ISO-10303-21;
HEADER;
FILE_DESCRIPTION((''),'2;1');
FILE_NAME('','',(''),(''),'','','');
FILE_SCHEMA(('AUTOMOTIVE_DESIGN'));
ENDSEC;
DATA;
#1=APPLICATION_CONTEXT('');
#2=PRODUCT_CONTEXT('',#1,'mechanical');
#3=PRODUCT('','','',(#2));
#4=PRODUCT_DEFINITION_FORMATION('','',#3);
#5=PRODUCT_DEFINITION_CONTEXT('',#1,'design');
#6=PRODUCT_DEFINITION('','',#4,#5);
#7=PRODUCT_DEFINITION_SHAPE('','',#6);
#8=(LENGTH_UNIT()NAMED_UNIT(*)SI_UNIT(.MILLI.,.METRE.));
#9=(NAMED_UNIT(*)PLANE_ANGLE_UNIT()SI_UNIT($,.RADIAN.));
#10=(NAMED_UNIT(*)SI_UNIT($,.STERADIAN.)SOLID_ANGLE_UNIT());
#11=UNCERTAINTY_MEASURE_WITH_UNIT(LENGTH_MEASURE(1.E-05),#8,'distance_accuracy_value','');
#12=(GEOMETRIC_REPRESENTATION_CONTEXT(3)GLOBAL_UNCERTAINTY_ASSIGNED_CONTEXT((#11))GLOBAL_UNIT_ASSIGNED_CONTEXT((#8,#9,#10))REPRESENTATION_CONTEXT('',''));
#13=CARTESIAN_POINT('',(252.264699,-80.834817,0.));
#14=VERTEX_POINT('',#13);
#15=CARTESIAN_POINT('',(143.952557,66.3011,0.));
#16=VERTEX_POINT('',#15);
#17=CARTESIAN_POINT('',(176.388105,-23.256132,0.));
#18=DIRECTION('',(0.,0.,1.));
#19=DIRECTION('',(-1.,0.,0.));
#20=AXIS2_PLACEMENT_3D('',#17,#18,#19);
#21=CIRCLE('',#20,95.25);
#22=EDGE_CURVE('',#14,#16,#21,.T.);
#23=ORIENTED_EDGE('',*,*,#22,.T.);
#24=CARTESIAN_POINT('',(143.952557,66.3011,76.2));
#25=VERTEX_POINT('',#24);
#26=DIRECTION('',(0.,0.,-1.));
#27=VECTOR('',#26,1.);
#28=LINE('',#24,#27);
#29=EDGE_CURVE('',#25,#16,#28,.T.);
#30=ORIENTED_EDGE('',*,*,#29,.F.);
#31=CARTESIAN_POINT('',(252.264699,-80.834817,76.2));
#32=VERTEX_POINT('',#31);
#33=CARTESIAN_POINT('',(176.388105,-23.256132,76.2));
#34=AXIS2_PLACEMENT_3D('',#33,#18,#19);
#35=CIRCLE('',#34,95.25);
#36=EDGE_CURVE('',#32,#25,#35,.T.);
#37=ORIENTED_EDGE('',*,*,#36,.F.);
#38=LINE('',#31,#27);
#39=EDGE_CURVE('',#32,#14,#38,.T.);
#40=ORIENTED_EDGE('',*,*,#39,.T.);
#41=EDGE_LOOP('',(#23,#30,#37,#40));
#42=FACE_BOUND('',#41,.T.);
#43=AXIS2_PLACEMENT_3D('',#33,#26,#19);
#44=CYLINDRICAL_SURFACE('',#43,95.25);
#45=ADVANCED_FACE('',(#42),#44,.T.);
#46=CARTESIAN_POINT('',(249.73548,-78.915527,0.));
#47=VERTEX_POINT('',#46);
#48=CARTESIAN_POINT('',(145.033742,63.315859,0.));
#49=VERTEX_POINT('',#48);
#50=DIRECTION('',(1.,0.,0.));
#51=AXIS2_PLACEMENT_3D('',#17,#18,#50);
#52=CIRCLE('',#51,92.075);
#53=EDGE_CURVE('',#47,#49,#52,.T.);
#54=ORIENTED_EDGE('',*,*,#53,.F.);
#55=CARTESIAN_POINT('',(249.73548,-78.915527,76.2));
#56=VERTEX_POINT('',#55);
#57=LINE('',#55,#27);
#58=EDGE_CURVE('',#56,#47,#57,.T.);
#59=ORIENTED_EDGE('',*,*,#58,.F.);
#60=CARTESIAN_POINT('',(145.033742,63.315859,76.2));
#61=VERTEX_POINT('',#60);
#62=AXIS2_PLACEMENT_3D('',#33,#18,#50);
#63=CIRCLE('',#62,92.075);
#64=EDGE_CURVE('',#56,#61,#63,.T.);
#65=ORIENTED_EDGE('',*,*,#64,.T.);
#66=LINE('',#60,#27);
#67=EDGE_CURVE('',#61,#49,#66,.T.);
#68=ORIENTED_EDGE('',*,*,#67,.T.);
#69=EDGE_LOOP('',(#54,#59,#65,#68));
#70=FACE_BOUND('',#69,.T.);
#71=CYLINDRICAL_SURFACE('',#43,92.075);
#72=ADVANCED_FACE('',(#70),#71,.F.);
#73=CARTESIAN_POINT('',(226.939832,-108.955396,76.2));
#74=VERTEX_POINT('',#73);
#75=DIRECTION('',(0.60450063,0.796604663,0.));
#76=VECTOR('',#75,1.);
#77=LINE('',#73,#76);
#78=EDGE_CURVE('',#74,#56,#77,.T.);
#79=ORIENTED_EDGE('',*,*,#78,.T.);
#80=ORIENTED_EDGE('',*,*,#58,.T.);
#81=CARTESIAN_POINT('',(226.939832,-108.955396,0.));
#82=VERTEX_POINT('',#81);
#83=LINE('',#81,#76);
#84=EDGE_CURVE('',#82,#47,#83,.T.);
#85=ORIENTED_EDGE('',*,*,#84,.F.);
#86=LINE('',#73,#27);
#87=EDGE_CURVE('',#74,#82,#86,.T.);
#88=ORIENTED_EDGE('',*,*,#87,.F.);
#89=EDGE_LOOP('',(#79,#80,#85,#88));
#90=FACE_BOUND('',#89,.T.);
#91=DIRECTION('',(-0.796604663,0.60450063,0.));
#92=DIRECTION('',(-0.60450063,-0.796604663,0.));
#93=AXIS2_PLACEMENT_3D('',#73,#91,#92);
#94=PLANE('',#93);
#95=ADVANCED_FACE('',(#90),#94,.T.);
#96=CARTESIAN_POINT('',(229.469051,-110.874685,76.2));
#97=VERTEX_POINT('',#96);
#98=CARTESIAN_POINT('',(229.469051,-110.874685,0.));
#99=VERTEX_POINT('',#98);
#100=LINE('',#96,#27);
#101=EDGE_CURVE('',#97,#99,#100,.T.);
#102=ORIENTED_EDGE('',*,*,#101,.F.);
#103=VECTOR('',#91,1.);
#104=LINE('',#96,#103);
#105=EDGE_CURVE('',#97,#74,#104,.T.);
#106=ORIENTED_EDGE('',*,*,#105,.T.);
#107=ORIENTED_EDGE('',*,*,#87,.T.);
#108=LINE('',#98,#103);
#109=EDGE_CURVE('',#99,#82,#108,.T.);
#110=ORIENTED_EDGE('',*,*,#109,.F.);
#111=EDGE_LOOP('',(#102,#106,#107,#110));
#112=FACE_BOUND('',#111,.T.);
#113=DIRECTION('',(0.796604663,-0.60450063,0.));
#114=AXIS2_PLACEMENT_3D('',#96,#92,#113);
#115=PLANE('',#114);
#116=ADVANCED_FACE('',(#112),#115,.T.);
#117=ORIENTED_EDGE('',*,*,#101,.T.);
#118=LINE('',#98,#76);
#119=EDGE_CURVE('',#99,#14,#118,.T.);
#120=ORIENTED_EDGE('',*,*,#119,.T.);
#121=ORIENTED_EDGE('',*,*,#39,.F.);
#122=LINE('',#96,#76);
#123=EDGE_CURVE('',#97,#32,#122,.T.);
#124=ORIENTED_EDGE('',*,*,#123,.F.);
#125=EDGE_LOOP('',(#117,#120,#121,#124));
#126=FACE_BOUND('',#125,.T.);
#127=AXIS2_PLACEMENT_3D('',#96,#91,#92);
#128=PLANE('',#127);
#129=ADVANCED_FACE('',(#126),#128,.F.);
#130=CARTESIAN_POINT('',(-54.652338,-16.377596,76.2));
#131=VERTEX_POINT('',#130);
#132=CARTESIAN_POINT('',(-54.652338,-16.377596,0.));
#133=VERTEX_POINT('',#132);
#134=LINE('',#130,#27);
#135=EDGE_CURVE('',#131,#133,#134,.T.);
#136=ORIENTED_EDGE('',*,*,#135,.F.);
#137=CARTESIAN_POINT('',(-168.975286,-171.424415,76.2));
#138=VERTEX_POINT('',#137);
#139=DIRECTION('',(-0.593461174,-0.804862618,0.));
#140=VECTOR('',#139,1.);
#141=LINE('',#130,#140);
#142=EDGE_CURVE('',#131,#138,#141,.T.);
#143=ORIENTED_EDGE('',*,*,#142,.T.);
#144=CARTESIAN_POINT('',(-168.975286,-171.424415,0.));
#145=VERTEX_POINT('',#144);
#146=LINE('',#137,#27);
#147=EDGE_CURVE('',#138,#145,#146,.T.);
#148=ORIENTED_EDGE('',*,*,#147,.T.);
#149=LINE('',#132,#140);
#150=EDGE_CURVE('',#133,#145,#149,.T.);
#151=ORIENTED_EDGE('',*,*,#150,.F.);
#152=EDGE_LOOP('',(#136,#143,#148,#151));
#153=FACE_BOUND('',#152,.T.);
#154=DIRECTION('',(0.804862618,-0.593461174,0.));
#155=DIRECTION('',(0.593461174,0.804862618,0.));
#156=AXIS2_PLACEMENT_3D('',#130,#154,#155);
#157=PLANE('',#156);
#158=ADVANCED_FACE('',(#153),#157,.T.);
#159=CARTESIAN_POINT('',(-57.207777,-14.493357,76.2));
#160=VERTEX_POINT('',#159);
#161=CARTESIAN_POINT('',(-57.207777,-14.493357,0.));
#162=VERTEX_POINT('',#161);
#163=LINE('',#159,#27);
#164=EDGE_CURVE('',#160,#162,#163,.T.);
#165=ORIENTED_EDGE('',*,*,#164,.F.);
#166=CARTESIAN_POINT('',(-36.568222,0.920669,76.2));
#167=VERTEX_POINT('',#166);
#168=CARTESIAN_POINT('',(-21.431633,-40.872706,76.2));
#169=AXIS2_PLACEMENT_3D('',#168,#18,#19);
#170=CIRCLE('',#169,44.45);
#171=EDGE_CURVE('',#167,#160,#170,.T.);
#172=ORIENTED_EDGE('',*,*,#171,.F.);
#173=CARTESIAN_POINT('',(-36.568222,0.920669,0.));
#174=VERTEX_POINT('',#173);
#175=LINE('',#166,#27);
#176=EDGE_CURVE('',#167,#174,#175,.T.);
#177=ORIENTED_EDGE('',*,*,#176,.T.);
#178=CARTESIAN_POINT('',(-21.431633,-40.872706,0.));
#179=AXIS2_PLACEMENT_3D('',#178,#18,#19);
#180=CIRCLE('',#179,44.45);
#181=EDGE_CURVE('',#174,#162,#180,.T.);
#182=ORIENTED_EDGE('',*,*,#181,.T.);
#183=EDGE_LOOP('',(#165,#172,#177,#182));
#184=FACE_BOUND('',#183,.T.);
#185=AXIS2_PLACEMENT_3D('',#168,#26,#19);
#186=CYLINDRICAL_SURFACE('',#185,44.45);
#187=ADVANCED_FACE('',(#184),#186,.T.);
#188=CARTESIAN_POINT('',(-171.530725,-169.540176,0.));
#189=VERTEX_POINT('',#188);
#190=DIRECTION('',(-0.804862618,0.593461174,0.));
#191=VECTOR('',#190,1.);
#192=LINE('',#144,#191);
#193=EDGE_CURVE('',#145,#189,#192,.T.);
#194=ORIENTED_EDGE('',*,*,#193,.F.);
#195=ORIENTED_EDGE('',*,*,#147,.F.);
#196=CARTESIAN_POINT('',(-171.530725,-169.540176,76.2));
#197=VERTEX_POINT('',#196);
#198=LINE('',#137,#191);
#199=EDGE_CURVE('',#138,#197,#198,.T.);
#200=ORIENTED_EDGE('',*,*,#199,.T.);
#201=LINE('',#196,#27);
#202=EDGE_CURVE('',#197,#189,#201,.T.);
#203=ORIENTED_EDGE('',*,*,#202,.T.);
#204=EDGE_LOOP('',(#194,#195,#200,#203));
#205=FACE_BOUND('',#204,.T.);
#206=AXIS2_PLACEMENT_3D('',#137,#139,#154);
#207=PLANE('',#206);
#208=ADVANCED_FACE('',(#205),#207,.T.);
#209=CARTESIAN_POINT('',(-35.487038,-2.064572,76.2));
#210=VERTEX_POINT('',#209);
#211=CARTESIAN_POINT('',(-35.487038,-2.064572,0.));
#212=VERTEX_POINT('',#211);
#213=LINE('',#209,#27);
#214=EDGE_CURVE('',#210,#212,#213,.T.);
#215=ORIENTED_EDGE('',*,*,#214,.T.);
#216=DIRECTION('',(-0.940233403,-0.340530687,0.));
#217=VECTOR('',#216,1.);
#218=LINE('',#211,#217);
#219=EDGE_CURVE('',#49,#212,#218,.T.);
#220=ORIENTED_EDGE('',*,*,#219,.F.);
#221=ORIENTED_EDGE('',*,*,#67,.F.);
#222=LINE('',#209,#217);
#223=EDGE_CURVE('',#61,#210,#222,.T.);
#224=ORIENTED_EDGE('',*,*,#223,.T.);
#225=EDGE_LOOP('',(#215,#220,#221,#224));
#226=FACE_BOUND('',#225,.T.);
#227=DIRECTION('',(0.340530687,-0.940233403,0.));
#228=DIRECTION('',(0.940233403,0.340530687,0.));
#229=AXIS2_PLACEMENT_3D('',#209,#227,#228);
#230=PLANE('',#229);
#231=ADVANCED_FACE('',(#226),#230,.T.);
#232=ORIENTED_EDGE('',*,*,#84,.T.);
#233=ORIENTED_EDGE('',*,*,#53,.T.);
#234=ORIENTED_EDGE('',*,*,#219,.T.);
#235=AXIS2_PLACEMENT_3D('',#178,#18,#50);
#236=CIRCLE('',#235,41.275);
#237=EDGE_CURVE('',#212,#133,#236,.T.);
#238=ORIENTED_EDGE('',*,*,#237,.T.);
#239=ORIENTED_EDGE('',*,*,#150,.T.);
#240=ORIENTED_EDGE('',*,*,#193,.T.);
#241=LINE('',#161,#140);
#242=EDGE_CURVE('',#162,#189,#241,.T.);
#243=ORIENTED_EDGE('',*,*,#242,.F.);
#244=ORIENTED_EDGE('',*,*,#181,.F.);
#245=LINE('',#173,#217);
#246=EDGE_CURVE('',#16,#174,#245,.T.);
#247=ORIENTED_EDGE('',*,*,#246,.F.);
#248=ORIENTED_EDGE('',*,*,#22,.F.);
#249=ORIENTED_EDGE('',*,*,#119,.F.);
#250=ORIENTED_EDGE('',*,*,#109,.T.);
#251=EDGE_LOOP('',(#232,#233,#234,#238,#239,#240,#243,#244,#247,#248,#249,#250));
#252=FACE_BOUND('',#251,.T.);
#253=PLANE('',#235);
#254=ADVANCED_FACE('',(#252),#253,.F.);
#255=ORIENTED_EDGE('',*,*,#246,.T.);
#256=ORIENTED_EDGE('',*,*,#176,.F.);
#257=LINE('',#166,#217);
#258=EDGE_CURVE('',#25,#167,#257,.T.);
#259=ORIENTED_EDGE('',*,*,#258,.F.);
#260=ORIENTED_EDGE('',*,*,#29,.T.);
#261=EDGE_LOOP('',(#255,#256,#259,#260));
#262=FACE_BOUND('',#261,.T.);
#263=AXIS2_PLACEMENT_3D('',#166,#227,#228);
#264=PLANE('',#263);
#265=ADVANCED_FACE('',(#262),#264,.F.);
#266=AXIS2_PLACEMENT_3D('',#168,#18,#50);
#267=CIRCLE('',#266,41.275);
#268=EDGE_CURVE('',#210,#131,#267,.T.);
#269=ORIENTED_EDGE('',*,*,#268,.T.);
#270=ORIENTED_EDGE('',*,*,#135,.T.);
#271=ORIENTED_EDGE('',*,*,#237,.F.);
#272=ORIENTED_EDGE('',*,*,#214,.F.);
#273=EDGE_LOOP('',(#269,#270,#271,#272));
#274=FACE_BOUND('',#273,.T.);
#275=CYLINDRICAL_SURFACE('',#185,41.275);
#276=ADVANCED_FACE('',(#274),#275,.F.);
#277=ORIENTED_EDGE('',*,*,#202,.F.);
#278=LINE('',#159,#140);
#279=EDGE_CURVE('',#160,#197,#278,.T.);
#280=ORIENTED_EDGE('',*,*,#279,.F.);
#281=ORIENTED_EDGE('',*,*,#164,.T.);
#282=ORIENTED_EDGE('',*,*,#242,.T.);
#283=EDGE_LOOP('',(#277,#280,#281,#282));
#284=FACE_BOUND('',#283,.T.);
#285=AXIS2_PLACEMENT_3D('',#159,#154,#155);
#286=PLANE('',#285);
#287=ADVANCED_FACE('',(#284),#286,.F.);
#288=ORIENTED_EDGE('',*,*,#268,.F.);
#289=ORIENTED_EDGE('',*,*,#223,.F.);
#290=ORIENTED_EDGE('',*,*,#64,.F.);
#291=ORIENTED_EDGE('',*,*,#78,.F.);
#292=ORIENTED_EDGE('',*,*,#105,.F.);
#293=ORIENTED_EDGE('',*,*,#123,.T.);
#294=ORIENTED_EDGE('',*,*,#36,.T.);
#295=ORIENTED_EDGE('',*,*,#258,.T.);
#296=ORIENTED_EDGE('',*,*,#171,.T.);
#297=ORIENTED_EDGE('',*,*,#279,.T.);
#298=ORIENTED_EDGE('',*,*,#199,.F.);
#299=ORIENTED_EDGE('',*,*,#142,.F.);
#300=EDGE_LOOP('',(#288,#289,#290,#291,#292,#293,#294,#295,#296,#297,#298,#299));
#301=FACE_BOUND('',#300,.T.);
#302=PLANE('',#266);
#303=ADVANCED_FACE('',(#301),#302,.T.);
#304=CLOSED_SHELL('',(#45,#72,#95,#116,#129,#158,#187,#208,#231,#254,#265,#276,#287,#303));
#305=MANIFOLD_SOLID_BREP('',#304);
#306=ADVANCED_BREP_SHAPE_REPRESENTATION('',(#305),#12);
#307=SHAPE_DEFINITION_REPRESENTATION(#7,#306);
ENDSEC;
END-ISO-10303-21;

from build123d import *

# Parameters (mm, degrees)
EXTRUDE_THIN1_DEPTH = 76.2


with BuildPart() as part:
    # Sketch1 → Extrude-Thin1 (new body)
    with BuildSketch(Plane.XY):
        with BuildLine():
            Line((-171.530725158, -169.540176263), (-57.207776809, -14.493356815))
            ThreePointArc((-57.207776809, -14.493356815), (-48.029088686, -5.258412911), (-36.568222458, 0.920668726))
            Line((-36.568222458, 0.920668726), (143.952557391, 66.301099815))
            ThreePointArc((143.952557391, 66.301099815), (253.095507904, 33.210999285), (252.264699452, -80.834816757))
            Line((252.264699452, -80.834816757), (229.469051384, -110.874685447))
            Line((229.469051384, -110.874685447), (226.93983158, -108.955395947))
            Line((226.93983158, -108.955395947), (249.735479648, -78.915527258))
            ThreePointArc((249.735479648, -78.915527258), (250.538594484, 31.328761583), (145.033742323, 63.315858762))
            Line((145.033742323, 63.315858762), (-35.487037526, -2.064572327))
            ThreePointArc((-35.487037526, -2.064572327), (-46.129270453, -7.80229099), (-54.652337995, -16.377596044))
            Line((-54.652337995, -16.377596044), (-168.975286345, -171.424415492))
            Line((-168.975286345, -171.424415492), (-171.530725158, -169.540176263))
        make_face()
    extrude(amount=EXTRUDE_THIN1_DEPTH)


solid = part.part
